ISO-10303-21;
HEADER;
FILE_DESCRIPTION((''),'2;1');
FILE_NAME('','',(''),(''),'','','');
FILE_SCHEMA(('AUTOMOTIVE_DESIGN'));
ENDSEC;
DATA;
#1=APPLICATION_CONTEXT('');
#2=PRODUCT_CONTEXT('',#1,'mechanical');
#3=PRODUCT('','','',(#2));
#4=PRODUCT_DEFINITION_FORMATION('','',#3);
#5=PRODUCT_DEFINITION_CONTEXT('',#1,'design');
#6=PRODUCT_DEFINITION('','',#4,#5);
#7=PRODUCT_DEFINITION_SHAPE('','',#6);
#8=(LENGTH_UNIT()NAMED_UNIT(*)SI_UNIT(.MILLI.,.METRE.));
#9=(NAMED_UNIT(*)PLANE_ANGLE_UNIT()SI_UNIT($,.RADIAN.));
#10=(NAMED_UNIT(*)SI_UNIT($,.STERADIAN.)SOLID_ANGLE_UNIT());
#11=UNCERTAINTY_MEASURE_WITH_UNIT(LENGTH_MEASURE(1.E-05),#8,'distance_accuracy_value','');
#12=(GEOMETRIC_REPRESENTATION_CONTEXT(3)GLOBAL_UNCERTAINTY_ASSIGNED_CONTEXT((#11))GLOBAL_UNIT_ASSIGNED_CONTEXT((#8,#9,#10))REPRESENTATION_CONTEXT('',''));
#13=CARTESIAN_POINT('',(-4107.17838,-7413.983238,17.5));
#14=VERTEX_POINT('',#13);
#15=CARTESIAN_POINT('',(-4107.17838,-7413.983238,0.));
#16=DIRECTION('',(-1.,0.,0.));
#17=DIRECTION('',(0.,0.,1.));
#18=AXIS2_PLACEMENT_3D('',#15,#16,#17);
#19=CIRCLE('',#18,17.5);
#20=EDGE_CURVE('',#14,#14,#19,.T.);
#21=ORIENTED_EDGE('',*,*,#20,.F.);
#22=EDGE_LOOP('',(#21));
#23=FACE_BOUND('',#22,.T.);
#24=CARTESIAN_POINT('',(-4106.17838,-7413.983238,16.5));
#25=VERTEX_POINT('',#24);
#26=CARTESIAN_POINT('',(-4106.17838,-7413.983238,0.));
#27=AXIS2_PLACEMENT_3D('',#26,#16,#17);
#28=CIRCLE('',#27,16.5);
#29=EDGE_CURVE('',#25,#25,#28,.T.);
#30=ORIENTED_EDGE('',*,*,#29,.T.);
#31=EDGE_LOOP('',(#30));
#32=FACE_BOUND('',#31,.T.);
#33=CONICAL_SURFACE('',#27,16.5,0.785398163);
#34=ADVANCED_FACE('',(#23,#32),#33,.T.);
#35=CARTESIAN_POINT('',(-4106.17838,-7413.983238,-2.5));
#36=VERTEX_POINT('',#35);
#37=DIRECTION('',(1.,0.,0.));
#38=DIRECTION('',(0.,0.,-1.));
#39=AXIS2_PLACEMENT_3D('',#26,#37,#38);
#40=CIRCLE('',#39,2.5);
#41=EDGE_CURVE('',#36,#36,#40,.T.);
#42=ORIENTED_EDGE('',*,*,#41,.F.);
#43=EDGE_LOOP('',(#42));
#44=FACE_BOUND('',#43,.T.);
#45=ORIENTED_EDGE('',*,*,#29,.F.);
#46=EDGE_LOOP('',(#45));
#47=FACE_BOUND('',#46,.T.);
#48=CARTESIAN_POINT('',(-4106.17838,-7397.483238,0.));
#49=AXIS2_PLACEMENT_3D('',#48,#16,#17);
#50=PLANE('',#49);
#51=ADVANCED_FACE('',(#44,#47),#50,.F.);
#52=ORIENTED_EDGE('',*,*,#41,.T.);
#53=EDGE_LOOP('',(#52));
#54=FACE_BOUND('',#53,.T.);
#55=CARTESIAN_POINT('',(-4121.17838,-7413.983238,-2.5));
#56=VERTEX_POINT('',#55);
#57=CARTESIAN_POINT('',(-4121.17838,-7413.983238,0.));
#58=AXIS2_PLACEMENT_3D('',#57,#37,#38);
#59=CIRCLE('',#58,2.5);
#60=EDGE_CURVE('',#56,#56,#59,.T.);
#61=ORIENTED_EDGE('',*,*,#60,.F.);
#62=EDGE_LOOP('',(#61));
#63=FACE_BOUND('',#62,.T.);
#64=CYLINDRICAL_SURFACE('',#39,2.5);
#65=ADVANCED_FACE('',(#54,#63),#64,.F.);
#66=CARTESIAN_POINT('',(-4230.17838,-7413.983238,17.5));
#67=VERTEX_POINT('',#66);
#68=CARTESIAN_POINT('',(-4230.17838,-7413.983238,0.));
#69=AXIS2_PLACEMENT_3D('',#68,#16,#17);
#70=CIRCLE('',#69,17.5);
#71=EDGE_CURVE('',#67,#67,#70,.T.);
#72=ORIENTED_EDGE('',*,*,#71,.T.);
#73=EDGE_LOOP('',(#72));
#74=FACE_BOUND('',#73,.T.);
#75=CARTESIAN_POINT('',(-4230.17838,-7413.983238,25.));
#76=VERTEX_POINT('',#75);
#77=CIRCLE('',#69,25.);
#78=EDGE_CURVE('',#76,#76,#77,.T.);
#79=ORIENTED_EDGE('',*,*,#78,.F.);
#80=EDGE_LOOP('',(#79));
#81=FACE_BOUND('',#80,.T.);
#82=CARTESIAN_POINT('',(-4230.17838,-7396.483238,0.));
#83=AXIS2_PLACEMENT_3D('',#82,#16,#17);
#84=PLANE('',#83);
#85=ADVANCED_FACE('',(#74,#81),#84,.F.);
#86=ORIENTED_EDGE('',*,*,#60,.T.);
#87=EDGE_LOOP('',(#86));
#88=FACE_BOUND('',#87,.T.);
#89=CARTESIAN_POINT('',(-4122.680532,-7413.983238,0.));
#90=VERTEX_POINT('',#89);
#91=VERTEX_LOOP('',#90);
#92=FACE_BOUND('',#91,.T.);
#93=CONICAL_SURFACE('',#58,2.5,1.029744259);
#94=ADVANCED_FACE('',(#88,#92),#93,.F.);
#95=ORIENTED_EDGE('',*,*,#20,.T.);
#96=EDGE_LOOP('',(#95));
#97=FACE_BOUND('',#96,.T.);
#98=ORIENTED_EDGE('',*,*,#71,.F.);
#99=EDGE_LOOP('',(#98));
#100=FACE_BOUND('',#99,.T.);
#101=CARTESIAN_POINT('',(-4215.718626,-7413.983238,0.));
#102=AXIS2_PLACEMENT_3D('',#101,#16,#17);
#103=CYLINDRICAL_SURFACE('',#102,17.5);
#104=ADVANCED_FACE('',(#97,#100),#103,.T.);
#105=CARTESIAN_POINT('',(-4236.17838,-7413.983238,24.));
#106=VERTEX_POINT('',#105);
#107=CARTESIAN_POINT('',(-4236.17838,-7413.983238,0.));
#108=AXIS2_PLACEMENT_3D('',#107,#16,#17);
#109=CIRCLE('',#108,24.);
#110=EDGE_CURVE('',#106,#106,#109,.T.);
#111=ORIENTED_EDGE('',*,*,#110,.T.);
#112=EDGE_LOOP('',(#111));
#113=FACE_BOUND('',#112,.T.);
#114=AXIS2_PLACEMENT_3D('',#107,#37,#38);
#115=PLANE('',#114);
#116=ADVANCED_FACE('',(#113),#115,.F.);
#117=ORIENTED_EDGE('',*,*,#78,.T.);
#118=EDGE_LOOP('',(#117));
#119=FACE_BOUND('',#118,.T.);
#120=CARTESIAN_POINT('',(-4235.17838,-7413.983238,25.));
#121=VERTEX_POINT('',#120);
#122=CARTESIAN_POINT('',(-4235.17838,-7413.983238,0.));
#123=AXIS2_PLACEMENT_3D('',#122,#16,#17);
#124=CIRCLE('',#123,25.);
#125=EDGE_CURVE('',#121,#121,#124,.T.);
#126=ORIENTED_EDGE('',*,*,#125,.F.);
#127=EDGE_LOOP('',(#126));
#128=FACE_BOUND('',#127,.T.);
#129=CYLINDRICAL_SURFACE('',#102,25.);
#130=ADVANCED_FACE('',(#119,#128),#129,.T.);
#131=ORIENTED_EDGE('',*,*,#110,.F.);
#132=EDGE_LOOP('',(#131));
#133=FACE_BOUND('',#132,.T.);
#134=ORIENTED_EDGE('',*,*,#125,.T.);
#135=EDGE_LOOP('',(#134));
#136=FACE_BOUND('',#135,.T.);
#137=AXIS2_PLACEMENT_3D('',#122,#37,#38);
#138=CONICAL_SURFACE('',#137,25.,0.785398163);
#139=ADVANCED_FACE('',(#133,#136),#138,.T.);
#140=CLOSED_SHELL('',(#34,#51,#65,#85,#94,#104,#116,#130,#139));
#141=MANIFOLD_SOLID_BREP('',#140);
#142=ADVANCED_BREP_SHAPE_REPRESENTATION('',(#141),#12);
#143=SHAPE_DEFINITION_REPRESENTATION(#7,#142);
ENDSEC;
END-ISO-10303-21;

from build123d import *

# Parameters (mm, degrees)
HOLE_WIZARD_M6_1_D     = 5
HOLE_WIZARD_M6_1_DEPTH = 15
HOLE_WIZARD_M6_1_TIP   = 1.502151548


with BuildPart() as part:
    # 草图1 → 旋转1 (revolve)
    with BuildSketch(Plane.XY):
        Polygon((-4236.178380328, -7413.983238222), (-4106.178380328, -7413.983238222), (-4106.178380328, -7397.483238222), (-4107.178380328, -7396.483238222), (-4230.178380328, -7396.483238222), (-4230.178380328, -7388.983238222), (-4235.178380328, -7388.983238222), (-4236.178380328, -7389.983238222), align=None)
    revolve(axis=Axis((-4215.718625876, -7413.983238222, 0), (1, 0, 0)))

    # M6 螺纹孔的螺纹孔钻头1
    with Locations(Plane(origin=(-4106.178380328, 0, 0), x_dir=(0, 0, -1), z_dir=(1, 0, 0))):
        with Locations((0, -7413.983238222)):
            Hole(HOLE_WIZARD_M6_1_D / 2, depth=HOLE_WIZARD_M6_1_DEPTH)
            with Locations((0, 0, -(HOLE_WIZARD_M6_1_DEPTH + HOLE_WIZARD_M6_1_TIP / 2))):  # 118° drill point
                Cone(0, HOLE_WIZARD_M6_1_D / 2, HOLE_WIZARD_M6_1_TIP, mode=Mode.SUBTRACT)


solid = part.part
